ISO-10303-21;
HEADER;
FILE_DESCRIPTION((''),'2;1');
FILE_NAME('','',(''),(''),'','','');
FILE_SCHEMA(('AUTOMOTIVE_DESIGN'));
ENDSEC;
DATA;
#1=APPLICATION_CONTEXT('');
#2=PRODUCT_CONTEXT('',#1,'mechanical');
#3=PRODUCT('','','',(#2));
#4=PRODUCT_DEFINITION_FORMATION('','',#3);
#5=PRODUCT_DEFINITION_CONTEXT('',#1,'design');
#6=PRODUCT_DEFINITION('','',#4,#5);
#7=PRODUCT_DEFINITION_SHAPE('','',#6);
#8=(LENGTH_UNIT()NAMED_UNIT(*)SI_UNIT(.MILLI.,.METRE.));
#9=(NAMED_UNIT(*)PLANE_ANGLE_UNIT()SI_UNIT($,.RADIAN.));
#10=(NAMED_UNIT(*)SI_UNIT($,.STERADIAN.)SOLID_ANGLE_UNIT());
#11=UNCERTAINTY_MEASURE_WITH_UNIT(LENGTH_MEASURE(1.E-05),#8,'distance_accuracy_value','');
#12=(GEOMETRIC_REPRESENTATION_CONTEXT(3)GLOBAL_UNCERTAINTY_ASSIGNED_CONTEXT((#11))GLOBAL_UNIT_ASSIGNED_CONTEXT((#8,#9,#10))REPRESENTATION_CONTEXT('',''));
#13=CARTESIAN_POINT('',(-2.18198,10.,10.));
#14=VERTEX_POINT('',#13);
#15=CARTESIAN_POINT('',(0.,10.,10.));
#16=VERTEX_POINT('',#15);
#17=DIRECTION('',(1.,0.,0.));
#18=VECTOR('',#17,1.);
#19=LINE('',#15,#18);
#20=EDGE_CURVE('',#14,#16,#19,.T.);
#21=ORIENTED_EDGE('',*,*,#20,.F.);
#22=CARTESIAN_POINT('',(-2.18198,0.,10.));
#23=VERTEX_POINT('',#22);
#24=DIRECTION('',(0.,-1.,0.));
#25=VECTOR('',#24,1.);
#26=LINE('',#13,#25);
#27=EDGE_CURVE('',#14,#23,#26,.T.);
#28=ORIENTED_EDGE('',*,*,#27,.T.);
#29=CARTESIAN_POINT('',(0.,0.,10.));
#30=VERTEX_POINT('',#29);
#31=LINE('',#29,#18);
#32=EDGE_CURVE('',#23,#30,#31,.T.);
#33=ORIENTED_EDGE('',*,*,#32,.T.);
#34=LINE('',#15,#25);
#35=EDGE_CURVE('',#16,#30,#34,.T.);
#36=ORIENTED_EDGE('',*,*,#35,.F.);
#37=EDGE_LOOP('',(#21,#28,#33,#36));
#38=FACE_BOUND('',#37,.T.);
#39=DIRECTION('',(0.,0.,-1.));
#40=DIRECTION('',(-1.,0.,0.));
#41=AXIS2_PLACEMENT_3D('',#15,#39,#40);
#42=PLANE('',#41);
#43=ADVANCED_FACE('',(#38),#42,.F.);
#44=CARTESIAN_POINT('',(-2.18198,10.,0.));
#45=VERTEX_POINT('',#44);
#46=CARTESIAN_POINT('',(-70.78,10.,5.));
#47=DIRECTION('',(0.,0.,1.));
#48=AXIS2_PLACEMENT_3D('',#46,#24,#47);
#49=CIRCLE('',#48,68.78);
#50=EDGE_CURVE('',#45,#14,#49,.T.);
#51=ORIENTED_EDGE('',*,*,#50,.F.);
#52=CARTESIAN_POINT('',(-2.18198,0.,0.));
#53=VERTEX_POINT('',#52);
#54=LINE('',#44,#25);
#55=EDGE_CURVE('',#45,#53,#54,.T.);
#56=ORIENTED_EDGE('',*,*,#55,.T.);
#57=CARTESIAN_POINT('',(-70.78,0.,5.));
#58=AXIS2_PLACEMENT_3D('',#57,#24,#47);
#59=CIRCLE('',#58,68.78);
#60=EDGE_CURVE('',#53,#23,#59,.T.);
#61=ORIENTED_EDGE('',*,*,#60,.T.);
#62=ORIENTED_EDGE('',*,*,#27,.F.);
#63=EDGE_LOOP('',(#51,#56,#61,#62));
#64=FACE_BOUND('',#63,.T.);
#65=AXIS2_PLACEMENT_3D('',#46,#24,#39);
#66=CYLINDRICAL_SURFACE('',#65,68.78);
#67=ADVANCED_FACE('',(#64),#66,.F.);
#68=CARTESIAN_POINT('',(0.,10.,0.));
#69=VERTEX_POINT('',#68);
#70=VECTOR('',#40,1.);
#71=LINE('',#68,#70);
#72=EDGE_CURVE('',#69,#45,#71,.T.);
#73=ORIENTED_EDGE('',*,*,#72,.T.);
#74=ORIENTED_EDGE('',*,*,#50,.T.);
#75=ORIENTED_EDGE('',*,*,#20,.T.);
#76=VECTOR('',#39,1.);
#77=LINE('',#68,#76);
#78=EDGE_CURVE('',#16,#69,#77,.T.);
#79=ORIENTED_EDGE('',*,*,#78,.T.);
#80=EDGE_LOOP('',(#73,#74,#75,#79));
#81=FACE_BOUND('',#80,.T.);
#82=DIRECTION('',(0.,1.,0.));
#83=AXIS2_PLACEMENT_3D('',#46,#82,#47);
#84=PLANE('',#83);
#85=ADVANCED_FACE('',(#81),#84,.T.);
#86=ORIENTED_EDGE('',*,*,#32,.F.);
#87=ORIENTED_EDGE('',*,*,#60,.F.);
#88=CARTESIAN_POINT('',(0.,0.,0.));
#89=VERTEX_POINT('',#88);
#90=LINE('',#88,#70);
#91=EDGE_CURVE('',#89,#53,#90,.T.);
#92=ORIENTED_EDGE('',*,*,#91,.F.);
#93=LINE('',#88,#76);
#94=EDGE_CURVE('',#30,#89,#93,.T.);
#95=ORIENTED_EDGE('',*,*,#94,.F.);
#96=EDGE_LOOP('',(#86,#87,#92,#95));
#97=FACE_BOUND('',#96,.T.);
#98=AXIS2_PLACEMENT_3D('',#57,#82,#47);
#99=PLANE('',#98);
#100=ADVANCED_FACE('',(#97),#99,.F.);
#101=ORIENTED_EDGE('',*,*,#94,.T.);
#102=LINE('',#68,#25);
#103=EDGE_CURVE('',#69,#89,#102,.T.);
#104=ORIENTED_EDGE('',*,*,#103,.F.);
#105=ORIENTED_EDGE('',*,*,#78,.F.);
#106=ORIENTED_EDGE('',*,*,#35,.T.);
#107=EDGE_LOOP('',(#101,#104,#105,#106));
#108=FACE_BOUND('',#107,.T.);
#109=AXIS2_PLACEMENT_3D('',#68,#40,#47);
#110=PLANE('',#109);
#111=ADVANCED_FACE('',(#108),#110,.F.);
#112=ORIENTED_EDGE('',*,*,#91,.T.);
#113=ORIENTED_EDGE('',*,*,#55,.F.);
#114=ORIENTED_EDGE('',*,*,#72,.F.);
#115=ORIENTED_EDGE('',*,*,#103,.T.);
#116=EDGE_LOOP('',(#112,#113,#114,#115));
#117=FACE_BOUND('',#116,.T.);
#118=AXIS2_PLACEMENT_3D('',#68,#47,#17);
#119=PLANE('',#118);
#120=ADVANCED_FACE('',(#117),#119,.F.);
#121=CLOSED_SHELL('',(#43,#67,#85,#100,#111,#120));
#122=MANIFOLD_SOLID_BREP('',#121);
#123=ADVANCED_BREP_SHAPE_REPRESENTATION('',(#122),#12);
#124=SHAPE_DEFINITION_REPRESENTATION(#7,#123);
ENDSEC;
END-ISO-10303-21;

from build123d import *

# Parameters (mm, degrees)
EXTRUDE_1_DEPTH = 10


with BuildPart() as part:
    # 草图1 → 凸台-拉伸1 (new body)
    with BuildSketch(Plane(origin=(0, 0, 0), x_dir=(1, 0, 0), z_dir=(0, 1, 0))):
        with BuildLine():
            Line((0, 0), (0, -10))
            Line((0, -10), (-2.18197962, -10))
            ThreePointArc((-2.18197962, -10), (-2, -5), (-2.18197962, 0))
            Line((-2.18197962, 0), (0, 0))
        make_face()
    extrude(amount=EXTRUDE_1_DEPTH)


solid = part.part
